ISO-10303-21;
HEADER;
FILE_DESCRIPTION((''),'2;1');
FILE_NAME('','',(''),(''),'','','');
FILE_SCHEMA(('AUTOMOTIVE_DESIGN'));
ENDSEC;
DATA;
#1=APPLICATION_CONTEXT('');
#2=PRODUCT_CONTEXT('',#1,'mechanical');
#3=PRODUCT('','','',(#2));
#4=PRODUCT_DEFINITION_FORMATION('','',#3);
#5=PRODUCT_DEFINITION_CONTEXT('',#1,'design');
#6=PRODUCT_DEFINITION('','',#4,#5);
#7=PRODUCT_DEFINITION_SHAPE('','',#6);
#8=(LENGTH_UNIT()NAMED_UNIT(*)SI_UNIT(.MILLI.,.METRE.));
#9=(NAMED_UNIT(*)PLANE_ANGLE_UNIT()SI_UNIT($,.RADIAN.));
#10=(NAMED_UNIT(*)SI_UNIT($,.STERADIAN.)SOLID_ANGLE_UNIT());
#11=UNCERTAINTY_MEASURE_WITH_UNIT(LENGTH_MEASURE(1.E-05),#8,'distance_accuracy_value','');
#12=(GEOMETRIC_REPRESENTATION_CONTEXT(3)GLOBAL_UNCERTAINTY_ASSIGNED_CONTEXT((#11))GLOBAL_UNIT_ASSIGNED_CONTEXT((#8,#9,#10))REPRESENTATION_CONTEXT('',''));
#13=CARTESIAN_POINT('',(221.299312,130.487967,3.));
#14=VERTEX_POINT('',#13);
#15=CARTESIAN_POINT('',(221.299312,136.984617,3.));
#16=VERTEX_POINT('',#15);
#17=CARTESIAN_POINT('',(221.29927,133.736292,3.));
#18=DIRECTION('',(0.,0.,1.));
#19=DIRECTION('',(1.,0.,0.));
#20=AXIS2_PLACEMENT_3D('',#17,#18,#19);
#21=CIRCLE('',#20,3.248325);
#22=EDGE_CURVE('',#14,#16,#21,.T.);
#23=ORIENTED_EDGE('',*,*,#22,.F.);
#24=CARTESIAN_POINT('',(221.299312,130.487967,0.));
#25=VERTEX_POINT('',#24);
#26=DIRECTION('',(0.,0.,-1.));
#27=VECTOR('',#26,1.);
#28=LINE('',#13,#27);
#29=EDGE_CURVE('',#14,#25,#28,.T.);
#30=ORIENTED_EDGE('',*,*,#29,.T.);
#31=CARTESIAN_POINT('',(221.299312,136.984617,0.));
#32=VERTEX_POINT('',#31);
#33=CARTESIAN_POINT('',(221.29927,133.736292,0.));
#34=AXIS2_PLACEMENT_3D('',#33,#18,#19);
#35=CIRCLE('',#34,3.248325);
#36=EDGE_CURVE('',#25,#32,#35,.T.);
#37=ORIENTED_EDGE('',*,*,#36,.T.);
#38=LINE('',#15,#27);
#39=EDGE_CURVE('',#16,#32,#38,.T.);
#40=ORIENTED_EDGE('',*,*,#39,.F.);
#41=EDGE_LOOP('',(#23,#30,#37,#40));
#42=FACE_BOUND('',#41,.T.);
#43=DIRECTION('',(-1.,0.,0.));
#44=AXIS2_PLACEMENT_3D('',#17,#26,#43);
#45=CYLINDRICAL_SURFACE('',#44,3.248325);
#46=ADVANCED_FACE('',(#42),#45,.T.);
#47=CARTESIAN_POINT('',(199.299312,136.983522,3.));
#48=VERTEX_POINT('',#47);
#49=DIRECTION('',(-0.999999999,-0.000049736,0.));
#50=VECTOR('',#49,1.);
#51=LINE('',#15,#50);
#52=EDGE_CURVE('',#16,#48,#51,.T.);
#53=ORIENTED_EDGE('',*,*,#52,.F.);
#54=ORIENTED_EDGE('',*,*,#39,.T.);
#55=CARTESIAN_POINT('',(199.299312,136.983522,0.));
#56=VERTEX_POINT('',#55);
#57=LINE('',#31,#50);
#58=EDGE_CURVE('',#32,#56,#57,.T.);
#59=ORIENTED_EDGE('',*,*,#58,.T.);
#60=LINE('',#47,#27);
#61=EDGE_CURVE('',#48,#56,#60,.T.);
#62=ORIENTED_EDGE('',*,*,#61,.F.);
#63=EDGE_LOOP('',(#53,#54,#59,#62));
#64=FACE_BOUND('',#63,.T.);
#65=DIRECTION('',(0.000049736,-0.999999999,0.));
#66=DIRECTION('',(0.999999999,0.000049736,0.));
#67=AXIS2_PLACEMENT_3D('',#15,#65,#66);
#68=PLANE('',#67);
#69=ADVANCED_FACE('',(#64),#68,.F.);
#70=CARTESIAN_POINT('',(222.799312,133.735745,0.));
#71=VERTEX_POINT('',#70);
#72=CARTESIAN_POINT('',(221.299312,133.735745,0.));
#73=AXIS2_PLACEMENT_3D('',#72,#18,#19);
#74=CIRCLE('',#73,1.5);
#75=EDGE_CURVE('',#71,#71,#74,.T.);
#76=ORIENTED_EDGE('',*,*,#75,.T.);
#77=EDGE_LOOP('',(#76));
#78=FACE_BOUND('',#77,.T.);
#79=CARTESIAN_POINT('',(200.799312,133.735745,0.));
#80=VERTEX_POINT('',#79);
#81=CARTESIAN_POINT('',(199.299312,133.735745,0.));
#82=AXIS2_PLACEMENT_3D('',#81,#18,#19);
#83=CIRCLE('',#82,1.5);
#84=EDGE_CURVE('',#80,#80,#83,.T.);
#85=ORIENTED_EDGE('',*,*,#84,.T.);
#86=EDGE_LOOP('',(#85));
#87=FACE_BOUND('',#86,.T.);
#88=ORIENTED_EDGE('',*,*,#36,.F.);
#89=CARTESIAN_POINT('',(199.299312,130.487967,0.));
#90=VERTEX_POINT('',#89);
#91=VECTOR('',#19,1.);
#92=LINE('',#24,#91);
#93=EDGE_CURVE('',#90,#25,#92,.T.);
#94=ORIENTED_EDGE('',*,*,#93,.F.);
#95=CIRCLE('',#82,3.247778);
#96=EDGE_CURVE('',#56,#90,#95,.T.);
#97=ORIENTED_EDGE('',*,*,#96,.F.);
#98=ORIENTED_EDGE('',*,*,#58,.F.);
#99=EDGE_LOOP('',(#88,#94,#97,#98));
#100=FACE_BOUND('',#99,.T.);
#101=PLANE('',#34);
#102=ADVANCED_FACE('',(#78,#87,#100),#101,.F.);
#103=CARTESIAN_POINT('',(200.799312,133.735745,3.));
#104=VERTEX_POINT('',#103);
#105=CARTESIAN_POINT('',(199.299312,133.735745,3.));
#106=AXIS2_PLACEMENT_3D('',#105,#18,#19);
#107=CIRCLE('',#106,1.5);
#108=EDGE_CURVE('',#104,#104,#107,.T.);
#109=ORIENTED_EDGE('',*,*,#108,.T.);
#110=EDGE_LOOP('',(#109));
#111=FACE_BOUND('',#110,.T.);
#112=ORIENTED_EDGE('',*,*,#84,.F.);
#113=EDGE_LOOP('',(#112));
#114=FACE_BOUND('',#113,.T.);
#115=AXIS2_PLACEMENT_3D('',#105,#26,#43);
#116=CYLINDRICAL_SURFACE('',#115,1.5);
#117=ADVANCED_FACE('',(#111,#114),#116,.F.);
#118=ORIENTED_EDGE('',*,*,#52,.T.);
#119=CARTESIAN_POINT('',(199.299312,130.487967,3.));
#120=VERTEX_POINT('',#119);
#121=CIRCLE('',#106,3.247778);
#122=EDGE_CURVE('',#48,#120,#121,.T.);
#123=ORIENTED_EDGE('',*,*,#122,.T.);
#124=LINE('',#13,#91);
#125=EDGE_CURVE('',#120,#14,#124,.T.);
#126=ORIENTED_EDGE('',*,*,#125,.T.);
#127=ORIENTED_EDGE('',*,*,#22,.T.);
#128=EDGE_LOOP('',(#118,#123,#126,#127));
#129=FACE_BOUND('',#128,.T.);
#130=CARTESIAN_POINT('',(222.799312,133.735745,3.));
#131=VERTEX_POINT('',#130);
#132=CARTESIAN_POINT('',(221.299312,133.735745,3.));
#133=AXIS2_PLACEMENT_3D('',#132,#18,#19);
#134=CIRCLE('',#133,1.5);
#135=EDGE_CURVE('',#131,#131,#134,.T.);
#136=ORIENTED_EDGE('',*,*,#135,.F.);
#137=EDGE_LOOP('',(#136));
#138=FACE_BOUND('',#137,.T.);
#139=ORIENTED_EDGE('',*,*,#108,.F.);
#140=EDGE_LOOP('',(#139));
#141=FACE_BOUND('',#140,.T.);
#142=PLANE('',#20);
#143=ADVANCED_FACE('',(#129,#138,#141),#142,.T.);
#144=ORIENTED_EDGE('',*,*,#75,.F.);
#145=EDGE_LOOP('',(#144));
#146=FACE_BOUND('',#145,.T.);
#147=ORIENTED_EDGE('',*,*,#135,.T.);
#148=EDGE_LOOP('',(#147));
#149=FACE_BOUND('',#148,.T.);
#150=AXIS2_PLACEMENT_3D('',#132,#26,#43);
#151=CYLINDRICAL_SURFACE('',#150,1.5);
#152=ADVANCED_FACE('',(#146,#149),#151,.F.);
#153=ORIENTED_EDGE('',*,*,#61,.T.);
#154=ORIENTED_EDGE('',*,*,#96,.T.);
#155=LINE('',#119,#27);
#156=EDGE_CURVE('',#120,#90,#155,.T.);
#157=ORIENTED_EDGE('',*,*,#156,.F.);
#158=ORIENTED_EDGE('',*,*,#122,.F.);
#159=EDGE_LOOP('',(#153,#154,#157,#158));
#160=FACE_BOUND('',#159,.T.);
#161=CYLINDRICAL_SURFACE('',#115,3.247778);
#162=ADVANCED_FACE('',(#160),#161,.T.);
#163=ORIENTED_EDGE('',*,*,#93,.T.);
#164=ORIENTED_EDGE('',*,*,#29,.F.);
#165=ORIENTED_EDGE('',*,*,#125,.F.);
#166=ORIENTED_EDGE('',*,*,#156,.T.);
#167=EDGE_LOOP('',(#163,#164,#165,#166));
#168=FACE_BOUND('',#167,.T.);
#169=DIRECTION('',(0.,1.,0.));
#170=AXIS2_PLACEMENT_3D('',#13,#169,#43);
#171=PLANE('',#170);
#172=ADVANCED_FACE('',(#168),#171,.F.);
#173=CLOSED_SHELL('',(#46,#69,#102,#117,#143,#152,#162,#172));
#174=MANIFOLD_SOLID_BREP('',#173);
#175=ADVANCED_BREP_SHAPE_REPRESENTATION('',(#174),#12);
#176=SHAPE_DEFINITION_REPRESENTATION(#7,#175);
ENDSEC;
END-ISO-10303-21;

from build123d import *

# Parameters (mm, degrees)
SKETCH_1_R      = 1.5
EXTRUDE_1_DEPTH = 3


with BuildPart() as part:
    # 草圖1 → 填料-伸長1 (new body)
    with BuildSketch(Plane.XY):
        with BuildLine():
            Line((221.299311625, 136.984616508), (199.299311625, 136.98352231))
            ThreePointArc((199.299311625, 136.98352231), (196.051533934, 133.735744619), (199.299311625, 130.487966928))
            Line((199.299311625, 130.487966928), (221.299311625, 130.487966928))
            ThreePointArc((221.299311625, 130.487966928), (224.547595155, 133.736291718), (221.299311625, 136.984616508))
        make_face()
        with Locations((199.299311625, 133.735744619)):
            Circle(SKETCH_1_R, mode=Mode.SUBTRACT)
        with Locations((221.299311625, 133.735744619)):
            Circle(SKETCH_1_R, mode=Mode.SUBTRACT)
    extrude(amount=EXTRUDE_1_DEPTH)


solid = part.part
